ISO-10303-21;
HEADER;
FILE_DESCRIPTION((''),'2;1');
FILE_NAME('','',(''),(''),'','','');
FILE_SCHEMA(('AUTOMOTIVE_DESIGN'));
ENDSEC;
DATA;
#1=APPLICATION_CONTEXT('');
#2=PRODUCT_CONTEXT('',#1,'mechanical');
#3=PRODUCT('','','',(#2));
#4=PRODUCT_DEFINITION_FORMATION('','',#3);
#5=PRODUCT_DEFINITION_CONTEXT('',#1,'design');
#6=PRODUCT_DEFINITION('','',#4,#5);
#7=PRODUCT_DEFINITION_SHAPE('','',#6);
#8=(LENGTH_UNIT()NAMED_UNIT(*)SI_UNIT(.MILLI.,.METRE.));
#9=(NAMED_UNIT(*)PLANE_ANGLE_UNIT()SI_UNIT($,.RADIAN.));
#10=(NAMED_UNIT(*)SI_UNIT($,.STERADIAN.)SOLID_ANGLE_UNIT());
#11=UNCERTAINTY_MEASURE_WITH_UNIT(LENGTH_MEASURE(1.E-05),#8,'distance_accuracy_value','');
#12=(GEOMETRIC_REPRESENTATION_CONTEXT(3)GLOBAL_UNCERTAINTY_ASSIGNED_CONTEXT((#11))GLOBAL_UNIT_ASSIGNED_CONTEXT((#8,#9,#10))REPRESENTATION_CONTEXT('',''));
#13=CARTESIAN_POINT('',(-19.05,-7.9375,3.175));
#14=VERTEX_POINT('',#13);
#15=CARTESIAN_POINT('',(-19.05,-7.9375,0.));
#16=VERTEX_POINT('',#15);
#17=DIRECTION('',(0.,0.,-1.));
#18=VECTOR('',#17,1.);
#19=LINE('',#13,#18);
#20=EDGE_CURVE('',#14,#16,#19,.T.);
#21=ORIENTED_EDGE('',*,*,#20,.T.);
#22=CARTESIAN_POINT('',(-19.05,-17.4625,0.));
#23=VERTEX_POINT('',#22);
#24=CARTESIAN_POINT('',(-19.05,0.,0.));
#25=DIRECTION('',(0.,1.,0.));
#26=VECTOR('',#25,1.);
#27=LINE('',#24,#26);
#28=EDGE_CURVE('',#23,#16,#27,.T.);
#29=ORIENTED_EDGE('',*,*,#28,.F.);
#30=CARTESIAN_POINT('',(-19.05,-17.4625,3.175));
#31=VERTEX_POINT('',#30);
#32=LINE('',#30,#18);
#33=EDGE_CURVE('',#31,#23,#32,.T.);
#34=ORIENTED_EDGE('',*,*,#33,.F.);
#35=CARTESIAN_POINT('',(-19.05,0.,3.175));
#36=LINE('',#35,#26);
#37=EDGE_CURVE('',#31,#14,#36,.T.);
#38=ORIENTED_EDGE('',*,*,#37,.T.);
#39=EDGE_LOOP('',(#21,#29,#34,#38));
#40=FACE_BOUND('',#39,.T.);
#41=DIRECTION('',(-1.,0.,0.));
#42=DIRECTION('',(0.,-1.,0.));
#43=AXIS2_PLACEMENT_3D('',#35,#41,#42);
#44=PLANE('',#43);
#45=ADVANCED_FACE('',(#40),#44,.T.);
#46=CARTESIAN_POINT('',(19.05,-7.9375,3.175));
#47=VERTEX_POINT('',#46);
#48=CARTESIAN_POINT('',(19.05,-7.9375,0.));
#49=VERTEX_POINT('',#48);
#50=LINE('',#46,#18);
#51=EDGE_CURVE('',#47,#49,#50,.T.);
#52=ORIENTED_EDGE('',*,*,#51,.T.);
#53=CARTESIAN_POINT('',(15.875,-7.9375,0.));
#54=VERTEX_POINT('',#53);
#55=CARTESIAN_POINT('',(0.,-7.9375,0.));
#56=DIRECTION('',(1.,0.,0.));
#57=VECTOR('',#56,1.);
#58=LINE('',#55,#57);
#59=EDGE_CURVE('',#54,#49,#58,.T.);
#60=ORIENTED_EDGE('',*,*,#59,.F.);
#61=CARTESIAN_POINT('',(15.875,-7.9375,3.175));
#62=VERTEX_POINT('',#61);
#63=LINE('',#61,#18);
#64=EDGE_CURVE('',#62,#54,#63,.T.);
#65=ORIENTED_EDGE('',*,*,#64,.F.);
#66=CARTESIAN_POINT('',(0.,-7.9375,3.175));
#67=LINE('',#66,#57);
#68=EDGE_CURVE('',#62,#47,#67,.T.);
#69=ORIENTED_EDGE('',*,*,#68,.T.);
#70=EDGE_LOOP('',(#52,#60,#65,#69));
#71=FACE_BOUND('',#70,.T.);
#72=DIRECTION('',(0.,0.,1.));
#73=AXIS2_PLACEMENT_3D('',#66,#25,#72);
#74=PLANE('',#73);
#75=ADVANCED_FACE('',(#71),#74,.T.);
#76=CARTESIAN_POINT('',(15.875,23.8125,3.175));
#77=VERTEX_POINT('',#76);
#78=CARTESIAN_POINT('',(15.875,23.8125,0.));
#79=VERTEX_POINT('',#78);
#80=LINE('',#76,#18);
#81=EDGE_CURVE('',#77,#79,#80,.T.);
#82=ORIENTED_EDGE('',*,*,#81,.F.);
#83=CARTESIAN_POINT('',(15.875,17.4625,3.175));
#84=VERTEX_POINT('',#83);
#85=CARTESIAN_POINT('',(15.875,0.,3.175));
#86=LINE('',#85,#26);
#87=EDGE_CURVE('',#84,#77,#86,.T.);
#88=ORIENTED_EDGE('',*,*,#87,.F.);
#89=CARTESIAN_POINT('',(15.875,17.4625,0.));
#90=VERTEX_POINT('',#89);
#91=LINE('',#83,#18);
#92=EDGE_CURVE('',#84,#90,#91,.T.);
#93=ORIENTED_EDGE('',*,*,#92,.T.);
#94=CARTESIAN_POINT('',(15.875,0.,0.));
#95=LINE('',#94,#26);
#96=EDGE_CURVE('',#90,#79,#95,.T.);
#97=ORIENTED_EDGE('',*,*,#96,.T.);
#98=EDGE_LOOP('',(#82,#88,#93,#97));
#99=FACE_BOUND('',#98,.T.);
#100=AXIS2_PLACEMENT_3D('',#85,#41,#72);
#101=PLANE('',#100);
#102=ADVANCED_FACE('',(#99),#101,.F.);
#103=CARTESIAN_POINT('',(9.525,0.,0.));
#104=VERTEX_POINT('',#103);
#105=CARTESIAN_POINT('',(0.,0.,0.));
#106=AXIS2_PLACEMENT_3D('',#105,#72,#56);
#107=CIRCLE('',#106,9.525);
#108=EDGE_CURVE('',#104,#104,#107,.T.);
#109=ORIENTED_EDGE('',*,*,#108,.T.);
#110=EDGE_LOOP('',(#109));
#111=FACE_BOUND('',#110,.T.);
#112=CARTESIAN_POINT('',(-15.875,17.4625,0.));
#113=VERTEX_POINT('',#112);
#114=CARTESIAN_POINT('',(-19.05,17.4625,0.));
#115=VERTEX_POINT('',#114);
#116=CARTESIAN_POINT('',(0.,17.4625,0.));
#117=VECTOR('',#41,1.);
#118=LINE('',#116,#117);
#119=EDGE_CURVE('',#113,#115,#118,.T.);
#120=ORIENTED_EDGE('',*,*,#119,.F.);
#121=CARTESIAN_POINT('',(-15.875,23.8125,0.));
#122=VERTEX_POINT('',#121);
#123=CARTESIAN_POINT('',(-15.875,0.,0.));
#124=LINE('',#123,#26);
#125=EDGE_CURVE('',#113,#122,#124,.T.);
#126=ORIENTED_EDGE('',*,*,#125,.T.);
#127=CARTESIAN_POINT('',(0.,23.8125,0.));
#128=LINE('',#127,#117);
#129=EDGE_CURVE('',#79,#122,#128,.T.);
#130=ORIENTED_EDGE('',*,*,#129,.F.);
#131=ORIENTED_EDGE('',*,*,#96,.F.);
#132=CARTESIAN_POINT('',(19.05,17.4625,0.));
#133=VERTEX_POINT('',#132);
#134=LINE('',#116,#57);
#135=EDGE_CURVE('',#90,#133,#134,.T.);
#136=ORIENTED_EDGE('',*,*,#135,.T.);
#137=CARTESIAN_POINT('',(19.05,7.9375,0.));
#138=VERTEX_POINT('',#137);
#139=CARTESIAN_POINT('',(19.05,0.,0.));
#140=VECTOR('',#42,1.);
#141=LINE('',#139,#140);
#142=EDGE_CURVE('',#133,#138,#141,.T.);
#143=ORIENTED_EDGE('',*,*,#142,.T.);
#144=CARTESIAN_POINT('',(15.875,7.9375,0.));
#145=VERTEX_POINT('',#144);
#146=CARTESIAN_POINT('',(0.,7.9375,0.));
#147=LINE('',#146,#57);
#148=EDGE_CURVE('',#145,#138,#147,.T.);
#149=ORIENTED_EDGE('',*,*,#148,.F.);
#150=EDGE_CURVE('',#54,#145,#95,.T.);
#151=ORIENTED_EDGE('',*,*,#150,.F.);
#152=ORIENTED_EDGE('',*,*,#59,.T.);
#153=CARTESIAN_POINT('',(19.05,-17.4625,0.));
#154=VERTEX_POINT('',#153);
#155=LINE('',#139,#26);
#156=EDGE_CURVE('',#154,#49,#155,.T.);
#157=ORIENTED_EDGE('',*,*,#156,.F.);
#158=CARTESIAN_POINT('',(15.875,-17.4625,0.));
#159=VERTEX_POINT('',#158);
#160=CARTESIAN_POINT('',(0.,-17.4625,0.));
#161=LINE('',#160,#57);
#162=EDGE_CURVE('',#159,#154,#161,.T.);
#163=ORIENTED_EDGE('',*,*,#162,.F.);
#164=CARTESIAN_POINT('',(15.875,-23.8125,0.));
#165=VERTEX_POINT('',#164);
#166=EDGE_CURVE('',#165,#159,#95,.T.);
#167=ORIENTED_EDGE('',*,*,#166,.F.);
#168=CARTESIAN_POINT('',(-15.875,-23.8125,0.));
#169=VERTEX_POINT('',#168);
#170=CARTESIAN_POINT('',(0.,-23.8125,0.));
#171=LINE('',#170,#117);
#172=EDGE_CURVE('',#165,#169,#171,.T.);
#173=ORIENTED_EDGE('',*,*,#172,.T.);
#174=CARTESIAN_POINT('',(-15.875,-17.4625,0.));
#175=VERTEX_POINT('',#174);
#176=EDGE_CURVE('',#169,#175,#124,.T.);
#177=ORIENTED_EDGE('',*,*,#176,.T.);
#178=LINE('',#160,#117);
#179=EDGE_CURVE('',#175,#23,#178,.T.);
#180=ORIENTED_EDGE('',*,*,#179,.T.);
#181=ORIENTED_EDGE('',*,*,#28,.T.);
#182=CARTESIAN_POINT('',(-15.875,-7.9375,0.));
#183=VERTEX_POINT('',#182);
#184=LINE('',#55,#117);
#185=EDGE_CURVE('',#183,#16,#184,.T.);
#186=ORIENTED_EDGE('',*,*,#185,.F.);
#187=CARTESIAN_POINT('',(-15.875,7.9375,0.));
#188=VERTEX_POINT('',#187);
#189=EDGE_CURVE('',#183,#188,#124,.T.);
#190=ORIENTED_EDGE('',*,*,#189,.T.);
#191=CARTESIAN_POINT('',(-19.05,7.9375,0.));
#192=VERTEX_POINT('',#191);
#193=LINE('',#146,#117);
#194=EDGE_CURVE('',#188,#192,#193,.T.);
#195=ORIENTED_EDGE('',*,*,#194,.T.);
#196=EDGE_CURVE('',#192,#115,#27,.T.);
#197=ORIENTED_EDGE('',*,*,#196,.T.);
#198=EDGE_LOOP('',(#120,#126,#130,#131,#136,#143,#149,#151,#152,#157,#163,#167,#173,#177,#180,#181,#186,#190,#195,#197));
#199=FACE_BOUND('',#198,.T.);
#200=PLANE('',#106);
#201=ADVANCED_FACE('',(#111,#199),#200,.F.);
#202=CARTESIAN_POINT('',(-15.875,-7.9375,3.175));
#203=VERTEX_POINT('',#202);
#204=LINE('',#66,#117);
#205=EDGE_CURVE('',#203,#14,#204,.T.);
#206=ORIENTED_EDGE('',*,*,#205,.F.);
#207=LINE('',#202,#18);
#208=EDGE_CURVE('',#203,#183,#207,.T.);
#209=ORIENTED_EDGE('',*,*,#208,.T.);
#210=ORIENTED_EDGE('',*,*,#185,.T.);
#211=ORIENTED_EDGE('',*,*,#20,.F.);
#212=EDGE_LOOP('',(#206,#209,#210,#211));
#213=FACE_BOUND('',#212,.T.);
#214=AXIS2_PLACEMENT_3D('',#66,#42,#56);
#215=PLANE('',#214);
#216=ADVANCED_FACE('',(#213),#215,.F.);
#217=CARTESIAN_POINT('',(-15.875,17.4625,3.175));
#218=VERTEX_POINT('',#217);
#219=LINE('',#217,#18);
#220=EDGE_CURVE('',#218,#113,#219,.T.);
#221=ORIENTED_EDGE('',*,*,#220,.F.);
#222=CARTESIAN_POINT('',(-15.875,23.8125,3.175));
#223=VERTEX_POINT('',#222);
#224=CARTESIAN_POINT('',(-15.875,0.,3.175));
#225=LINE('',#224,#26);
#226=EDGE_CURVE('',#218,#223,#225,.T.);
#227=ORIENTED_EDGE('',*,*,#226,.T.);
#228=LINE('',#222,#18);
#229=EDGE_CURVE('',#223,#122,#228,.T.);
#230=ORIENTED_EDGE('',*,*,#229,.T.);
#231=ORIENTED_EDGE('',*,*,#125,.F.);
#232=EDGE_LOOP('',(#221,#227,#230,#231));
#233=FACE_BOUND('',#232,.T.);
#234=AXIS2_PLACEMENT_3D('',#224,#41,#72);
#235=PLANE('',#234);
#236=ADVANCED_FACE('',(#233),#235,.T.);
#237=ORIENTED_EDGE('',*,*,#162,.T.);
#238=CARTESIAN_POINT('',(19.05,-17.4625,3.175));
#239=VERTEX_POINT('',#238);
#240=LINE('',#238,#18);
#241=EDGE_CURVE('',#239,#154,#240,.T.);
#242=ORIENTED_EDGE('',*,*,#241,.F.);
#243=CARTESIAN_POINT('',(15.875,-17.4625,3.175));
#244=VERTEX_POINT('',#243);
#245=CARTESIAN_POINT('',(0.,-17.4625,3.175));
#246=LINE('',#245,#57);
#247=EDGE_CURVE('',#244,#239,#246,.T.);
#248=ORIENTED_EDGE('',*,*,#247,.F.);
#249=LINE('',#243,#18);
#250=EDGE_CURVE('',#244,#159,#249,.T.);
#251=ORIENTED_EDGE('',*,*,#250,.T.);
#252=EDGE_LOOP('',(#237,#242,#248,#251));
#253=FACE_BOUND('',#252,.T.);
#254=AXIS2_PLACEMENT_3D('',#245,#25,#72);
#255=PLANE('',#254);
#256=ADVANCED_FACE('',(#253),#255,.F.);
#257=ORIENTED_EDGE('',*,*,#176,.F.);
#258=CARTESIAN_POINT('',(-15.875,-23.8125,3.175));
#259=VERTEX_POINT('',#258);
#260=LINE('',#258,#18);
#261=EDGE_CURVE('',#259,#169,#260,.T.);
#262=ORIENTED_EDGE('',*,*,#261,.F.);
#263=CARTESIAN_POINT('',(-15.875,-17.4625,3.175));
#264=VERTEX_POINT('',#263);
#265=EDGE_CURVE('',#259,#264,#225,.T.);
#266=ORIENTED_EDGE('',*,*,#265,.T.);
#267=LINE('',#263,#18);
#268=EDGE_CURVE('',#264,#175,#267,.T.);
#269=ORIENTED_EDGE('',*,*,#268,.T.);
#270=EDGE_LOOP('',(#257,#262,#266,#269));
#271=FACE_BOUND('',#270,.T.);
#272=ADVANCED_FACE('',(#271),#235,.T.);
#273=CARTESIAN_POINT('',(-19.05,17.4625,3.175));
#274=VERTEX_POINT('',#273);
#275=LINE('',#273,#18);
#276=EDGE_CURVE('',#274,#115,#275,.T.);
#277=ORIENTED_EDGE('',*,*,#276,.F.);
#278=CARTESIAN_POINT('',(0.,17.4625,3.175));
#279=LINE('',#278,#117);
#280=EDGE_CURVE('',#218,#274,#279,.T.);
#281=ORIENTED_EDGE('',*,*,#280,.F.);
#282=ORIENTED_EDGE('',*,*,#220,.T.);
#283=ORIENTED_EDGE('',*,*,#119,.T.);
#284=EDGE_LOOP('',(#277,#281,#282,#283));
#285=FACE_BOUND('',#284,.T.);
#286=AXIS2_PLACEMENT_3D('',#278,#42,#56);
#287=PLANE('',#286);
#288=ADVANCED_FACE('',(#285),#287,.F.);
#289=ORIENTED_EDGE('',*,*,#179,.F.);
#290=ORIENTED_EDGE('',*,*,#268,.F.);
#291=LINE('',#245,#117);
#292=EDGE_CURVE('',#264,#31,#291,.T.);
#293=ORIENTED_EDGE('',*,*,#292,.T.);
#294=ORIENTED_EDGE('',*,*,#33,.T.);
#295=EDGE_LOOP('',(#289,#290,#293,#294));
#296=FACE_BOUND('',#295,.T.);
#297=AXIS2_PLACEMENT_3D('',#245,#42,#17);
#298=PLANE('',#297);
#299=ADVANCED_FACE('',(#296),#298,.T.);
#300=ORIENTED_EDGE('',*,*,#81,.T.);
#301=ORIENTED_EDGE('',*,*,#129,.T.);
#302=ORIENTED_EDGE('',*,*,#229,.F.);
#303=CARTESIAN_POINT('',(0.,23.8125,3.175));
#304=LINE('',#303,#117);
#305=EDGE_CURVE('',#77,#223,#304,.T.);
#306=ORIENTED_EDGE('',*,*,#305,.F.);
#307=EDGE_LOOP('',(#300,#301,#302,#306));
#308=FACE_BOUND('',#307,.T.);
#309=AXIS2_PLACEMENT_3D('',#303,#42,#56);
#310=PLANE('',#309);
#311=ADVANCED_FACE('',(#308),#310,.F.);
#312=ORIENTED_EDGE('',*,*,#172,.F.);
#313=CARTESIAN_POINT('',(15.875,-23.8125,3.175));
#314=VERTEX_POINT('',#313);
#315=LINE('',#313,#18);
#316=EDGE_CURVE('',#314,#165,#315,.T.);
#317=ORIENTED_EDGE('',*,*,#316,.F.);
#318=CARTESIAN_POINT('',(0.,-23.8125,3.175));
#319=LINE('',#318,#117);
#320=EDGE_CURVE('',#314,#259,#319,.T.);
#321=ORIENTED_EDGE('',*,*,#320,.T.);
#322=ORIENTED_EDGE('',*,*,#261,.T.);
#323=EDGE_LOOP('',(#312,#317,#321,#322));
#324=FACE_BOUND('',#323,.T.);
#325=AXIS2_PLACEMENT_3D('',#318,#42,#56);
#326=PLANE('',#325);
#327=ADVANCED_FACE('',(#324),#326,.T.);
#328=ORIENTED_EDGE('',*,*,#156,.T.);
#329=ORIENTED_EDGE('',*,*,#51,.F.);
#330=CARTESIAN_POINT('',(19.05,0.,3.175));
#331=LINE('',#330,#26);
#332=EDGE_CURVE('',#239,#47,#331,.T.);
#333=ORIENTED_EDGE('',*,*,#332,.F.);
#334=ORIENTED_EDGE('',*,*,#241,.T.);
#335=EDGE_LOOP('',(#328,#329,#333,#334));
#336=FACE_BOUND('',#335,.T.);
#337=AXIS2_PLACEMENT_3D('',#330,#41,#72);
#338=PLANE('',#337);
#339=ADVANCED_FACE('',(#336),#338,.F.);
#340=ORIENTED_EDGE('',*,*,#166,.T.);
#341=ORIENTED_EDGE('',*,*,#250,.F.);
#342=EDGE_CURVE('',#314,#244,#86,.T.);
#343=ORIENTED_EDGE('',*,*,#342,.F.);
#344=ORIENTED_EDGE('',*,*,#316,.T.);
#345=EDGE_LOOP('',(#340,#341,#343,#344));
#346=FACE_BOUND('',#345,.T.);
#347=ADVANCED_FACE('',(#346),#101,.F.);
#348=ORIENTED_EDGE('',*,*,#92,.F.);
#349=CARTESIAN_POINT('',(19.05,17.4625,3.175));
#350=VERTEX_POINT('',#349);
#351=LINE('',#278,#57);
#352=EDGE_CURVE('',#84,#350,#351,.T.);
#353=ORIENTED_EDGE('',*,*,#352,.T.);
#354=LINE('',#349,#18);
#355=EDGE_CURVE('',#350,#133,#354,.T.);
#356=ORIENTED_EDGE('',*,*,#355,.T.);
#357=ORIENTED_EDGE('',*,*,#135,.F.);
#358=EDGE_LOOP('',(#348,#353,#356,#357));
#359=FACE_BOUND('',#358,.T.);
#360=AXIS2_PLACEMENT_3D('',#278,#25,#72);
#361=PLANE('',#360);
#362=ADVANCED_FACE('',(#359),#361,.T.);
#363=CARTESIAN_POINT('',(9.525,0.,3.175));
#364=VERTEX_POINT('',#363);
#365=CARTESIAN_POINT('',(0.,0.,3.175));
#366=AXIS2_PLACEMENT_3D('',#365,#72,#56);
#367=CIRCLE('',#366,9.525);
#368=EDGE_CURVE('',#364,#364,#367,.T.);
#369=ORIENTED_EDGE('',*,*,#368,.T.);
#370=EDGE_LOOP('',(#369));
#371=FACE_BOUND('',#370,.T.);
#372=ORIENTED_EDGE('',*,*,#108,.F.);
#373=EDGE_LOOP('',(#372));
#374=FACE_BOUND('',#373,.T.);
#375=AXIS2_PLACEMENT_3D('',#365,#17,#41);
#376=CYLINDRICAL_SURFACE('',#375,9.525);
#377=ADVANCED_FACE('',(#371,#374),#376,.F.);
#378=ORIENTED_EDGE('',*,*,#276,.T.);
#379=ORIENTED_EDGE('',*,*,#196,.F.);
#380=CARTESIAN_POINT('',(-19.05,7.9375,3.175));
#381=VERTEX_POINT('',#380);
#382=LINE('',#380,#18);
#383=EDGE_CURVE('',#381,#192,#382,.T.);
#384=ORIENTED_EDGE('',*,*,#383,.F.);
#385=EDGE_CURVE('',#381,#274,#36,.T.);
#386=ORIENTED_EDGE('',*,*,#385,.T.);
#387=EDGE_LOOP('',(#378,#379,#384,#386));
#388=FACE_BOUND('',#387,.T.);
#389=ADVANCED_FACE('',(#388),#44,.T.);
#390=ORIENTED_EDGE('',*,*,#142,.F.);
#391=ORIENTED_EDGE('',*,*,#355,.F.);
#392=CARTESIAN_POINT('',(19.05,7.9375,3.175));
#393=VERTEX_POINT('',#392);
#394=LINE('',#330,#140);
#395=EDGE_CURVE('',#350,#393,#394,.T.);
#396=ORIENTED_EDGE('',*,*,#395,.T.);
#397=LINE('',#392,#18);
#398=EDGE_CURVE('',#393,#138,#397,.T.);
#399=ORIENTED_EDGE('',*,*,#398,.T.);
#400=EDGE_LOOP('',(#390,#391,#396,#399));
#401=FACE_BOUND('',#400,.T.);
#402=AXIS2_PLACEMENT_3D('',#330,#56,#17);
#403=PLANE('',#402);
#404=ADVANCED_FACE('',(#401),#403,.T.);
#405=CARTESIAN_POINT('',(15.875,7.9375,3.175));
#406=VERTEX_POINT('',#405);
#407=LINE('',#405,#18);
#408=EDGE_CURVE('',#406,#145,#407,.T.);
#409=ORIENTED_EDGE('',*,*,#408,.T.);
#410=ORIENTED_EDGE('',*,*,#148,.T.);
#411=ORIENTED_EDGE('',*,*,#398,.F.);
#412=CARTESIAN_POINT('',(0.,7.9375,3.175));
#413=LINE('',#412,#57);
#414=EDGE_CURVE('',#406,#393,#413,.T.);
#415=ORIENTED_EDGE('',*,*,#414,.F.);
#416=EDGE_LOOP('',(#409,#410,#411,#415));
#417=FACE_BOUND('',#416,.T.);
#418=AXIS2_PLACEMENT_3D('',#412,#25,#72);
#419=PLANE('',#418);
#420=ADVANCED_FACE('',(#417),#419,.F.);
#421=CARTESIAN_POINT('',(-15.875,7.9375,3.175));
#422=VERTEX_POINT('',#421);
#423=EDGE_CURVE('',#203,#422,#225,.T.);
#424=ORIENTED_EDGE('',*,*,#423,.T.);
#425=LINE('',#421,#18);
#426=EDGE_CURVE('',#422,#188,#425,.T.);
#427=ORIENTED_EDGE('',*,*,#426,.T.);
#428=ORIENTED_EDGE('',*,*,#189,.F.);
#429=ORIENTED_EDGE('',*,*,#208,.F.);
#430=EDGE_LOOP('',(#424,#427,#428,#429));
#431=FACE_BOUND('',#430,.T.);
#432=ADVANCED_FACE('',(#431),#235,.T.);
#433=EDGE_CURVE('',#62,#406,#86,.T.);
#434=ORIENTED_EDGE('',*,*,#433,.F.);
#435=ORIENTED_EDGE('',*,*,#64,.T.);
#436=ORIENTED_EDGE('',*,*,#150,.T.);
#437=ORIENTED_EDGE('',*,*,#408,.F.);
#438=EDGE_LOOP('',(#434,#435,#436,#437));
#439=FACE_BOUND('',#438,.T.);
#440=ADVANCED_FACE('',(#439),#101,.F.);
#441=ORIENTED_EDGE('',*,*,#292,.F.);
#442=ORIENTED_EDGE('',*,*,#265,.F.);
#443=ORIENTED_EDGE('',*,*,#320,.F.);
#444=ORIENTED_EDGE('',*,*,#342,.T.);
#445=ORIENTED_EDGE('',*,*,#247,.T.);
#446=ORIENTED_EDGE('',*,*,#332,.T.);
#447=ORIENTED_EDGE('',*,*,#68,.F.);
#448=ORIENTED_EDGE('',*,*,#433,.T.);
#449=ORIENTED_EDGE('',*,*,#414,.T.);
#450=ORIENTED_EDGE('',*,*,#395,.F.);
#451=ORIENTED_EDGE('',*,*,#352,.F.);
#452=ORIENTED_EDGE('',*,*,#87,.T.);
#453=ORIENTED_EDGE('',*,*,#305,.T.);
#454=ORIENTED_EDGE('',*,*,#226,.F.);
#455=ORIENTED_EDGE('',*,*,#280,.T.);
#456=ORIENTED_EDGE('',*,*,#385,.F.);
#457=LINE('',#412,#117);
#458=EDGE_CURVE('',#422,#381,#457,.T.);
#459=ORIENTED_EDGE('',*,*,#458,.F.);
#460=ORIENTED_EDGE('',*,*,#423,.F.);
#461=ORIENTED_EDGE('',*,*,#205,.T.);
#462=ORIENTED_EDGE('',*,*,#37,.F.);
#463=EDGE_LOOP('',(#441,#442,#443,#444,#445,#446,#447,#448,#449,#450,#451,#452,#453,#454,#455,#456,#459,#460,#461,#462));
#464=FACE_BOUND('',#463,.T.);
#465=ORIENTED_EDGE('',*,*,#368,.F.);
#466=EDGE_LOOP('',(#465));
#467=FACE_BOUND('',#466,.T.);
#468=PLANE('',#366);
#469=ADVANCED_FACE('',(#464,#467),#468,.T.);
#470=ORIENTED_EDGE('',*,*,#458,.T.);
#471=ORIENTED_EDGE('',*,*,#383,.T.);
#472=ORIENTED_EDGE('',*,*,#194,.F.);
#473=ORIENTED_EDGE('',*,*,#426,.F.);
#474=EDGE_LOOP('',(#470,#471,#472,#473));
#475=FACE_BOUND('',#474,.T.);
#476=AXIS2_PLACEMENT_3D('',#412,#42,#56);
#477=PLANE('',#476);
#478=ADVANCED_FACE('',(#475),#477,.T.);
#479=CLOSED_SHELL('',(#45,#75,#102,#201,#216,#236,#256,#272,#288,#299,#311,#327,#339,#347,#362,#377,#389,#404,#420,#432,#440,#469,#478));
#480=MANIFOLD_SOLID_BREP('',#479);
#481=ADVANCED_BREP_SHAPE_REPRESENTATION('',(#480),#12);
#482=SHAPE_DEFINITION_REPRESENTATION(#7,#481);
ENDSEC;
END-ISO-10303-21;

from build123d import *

# Parameters (mm, degrees)
SKETCH1_W           = 3.175
SKETCH1_H           = 9.525
SKETCH1_W_2         = 31.75
SKETCH1_H_2         = 47.625
SKETCH1_R           = 9.525
BOSS_EXTRUDE1_DEPTH = 3.175


with BuildPart() as part:
    # Sketch1 → Boss-Extrude1 (new body)
    # profile 1 of 5: a face of its own
    with BuildSketch(Plane.XY):
        with Locations((-17.4625, 12.7)):
            Rectangle(SKETCH1_W, SKETCH1_H)
    # profile 2 of 5: a face of its own
    with BuildSketch(Plane.XY):
        Rectangle(SKETCH1_W_2, SKETCH1_H_2)
        Circle(SKETCH1_R, mode=Mode.SUBTRACT)
    # profile 3 of 5: a face of its own
    with BuildSketch(Plane.XY):
        with Locations((-17.4625, -12.7)):
            Rectangle(SKETCH1_W, SKETCH1_H)
    # profile 4 of 5: a face of its own
    with BuildSketch(Plane.XY):
        with Locations((17.4625, 12.7)):
            Rectangle(SKETCH1_W, SKETCH1_H)
    # profile 5 of 5: a face of its own
    with BuildSketch(Plane.XY):
        with Locations((17.4625, -12.7)):
            Rectangle(SKETCH1_W, SKETCH1_H)
    extrude(amount=BOSS_EXTRUDE1_DEPTH)


solid = part.part
